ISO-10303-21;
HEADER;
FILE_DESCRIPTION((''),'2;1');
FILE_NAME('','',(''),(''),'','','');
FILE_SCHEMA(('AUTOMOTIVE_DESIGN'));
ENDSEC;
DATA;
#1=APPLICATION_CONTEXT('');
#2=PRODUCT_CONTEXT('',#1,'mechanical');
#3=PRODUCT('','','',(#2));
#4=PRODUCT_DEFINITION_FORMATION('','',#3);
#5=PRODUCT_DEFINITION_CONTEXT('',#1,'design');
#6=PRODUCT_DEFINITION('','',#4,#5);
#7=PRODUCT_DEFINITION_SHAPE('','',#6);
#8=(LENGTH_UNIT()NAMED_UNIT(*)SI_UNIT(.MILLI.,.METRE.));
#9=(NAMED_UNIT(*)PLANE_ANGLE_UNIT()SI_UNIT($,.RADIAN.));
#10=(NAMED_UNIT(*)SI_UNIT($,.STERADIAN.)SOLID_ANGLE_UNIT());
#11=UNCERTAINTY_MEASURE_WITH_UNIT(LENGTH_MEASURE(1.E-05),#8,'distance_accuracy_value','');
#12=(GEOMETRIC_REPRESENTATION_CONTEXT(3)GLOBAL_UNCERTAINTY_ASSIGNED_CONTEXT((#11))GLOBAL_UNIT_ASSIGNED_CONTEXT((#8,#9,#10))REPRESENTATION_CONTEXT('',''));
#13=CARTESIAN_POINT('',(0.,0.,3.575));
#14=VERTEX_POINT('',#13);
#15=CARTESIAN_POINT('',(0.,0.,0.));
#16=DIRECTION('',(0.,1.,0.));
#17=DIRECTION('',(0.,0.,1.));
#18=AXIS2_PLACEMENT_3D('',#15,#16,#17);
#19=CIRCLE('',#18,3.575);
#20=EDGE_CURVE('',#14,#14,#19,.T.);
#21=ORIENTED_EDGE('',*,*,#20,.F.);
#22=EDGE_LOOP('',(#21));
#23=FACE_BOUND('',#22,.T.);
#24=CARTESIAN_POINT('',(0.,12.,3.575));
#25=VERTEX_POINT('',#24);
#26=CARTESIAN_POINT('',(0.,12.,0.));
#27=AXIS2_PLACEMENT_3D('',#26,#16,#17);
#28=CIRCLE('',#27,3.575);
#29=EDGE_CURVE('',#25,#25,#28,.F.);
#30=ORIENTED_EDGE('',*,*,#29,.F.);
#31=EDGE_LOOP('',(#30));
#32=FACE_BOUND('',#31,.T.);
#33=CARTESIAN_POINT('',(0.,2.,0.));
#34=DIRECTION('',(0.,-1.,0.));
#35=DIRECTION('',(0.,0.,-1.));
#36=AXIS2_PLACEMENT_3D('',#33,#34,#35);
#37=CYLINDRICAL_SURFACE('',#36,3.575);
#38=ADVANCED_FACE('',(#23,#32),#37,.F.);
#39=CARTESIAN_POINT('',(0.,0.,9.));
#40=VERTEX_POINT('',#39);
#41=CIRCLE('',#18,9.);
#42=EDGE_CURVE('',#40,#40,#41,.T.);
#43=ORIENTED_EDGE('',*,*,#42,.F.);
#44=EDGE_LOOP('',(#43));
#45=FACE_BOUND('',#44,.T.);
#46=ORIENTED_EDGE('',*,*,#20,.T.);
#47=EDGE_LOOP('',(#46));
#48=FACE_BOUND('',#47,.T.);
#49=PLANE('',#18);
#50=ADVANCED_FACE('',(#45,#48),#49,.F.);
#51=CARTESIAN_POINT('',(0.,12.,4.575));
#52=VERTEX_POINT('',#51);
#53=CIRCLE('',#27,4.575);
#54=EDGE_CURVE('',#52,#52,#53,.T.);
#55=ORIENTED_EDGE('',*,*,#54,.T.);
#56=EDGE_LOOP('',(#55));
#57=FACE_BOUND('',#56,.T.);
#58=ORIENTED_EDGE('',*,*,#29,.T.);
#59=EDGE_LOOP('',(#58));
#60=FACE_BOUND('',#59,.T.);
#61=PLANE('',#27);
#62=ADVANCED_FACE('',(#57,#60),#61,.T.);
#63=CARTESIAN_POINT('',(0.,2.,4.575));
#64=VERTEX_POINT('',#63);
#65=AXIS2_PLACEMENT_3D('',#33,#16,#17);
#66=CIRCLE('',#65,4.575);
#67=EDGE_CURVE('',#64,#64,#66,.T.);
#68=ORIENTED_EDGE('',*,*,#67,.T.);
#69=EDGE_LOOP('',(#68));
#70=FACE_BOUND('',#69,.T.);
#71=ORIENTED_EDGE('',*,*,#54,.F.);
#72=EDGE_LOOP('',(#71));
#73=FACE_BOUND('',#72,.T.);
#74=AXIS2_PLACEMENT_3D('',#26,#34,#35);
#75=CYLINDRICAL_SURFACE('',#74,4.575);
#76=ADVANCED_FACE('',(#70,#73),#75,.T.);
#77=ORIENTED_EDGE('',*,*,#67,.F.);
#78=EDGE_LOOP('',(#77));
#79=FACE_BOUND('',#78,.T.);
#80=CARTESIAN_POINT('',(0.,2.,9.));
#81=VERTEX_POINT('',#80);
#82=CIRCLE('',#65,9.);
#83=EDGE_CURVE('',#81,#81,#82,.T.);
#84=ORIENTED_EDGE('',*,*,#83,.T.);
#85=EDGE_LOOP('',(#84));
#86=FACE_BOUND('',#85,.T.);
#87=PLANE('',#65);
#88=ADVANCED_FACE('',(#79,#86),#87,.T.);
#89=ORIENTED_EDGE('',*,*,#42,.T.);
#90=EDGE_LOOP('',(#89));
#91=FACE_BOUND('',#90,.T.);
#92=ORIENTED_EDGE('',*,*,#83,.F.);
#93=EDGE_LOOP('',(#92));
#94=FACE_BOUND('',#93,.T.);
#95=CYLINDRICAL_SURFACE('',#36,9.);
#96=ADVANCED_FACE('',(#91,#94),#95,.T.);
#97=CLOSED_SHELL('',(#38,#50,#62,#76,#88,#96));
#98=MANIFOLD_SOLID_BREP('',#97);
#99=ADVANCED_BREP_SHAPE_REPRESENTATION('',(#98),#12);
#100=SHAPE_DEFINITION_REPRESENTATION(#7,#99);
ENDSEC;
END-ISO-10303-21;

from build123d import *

# Parameters (mm, degrees)
SKETCH1_R           = 9
SKETCH1_R_2         = 3.575
BOSS_EXTRUDE1_DEPTH = 2
SKETCH2_R           = 4.575
SKETCH2_R_2         = 3.575
BOSS_EXTRUDE2_DEPTH = 10


with BuildPart() as part:
    # Sketch1 → Boss-Extrude1 (new body)
    with BuildSketch(Plane(origin=(0, 0, 0), x_dir=(1, 0, 0), z_dir=(0, 1, 0))):
        with Locations(Location((0, 0, 0), (0, 0, 270))):
            Circle(SKETCH1_R)
        with Locations(Location((0, 0, 0), (0, 0, 270))):
            Circle(SKETCH1_R_2, mode=Mode.SUBTRACT)
    extrude(amount=BOSS_EXTRUDE1_DEPTH)

    # Sketch2 → Boss-Extrude2 (add)
    with BuildSketch(Plane(origin=(0, 2, 0), x_dir=(1, 0, 0), z_dir=(0, 1, 0))):
        with Locations(Location((0, 0, 0), (0, 0, 270))):
            Circle(SKETCH2_R)
        with Locations(Location((0, 0, 0), (0, 0, 270))):
            Circle(SKETCH2_R_2, mode=Mode.SUBTRACT)
    extrude(amount=BOSS_EXTRUDE2_DEPTH)


solid = part.part
